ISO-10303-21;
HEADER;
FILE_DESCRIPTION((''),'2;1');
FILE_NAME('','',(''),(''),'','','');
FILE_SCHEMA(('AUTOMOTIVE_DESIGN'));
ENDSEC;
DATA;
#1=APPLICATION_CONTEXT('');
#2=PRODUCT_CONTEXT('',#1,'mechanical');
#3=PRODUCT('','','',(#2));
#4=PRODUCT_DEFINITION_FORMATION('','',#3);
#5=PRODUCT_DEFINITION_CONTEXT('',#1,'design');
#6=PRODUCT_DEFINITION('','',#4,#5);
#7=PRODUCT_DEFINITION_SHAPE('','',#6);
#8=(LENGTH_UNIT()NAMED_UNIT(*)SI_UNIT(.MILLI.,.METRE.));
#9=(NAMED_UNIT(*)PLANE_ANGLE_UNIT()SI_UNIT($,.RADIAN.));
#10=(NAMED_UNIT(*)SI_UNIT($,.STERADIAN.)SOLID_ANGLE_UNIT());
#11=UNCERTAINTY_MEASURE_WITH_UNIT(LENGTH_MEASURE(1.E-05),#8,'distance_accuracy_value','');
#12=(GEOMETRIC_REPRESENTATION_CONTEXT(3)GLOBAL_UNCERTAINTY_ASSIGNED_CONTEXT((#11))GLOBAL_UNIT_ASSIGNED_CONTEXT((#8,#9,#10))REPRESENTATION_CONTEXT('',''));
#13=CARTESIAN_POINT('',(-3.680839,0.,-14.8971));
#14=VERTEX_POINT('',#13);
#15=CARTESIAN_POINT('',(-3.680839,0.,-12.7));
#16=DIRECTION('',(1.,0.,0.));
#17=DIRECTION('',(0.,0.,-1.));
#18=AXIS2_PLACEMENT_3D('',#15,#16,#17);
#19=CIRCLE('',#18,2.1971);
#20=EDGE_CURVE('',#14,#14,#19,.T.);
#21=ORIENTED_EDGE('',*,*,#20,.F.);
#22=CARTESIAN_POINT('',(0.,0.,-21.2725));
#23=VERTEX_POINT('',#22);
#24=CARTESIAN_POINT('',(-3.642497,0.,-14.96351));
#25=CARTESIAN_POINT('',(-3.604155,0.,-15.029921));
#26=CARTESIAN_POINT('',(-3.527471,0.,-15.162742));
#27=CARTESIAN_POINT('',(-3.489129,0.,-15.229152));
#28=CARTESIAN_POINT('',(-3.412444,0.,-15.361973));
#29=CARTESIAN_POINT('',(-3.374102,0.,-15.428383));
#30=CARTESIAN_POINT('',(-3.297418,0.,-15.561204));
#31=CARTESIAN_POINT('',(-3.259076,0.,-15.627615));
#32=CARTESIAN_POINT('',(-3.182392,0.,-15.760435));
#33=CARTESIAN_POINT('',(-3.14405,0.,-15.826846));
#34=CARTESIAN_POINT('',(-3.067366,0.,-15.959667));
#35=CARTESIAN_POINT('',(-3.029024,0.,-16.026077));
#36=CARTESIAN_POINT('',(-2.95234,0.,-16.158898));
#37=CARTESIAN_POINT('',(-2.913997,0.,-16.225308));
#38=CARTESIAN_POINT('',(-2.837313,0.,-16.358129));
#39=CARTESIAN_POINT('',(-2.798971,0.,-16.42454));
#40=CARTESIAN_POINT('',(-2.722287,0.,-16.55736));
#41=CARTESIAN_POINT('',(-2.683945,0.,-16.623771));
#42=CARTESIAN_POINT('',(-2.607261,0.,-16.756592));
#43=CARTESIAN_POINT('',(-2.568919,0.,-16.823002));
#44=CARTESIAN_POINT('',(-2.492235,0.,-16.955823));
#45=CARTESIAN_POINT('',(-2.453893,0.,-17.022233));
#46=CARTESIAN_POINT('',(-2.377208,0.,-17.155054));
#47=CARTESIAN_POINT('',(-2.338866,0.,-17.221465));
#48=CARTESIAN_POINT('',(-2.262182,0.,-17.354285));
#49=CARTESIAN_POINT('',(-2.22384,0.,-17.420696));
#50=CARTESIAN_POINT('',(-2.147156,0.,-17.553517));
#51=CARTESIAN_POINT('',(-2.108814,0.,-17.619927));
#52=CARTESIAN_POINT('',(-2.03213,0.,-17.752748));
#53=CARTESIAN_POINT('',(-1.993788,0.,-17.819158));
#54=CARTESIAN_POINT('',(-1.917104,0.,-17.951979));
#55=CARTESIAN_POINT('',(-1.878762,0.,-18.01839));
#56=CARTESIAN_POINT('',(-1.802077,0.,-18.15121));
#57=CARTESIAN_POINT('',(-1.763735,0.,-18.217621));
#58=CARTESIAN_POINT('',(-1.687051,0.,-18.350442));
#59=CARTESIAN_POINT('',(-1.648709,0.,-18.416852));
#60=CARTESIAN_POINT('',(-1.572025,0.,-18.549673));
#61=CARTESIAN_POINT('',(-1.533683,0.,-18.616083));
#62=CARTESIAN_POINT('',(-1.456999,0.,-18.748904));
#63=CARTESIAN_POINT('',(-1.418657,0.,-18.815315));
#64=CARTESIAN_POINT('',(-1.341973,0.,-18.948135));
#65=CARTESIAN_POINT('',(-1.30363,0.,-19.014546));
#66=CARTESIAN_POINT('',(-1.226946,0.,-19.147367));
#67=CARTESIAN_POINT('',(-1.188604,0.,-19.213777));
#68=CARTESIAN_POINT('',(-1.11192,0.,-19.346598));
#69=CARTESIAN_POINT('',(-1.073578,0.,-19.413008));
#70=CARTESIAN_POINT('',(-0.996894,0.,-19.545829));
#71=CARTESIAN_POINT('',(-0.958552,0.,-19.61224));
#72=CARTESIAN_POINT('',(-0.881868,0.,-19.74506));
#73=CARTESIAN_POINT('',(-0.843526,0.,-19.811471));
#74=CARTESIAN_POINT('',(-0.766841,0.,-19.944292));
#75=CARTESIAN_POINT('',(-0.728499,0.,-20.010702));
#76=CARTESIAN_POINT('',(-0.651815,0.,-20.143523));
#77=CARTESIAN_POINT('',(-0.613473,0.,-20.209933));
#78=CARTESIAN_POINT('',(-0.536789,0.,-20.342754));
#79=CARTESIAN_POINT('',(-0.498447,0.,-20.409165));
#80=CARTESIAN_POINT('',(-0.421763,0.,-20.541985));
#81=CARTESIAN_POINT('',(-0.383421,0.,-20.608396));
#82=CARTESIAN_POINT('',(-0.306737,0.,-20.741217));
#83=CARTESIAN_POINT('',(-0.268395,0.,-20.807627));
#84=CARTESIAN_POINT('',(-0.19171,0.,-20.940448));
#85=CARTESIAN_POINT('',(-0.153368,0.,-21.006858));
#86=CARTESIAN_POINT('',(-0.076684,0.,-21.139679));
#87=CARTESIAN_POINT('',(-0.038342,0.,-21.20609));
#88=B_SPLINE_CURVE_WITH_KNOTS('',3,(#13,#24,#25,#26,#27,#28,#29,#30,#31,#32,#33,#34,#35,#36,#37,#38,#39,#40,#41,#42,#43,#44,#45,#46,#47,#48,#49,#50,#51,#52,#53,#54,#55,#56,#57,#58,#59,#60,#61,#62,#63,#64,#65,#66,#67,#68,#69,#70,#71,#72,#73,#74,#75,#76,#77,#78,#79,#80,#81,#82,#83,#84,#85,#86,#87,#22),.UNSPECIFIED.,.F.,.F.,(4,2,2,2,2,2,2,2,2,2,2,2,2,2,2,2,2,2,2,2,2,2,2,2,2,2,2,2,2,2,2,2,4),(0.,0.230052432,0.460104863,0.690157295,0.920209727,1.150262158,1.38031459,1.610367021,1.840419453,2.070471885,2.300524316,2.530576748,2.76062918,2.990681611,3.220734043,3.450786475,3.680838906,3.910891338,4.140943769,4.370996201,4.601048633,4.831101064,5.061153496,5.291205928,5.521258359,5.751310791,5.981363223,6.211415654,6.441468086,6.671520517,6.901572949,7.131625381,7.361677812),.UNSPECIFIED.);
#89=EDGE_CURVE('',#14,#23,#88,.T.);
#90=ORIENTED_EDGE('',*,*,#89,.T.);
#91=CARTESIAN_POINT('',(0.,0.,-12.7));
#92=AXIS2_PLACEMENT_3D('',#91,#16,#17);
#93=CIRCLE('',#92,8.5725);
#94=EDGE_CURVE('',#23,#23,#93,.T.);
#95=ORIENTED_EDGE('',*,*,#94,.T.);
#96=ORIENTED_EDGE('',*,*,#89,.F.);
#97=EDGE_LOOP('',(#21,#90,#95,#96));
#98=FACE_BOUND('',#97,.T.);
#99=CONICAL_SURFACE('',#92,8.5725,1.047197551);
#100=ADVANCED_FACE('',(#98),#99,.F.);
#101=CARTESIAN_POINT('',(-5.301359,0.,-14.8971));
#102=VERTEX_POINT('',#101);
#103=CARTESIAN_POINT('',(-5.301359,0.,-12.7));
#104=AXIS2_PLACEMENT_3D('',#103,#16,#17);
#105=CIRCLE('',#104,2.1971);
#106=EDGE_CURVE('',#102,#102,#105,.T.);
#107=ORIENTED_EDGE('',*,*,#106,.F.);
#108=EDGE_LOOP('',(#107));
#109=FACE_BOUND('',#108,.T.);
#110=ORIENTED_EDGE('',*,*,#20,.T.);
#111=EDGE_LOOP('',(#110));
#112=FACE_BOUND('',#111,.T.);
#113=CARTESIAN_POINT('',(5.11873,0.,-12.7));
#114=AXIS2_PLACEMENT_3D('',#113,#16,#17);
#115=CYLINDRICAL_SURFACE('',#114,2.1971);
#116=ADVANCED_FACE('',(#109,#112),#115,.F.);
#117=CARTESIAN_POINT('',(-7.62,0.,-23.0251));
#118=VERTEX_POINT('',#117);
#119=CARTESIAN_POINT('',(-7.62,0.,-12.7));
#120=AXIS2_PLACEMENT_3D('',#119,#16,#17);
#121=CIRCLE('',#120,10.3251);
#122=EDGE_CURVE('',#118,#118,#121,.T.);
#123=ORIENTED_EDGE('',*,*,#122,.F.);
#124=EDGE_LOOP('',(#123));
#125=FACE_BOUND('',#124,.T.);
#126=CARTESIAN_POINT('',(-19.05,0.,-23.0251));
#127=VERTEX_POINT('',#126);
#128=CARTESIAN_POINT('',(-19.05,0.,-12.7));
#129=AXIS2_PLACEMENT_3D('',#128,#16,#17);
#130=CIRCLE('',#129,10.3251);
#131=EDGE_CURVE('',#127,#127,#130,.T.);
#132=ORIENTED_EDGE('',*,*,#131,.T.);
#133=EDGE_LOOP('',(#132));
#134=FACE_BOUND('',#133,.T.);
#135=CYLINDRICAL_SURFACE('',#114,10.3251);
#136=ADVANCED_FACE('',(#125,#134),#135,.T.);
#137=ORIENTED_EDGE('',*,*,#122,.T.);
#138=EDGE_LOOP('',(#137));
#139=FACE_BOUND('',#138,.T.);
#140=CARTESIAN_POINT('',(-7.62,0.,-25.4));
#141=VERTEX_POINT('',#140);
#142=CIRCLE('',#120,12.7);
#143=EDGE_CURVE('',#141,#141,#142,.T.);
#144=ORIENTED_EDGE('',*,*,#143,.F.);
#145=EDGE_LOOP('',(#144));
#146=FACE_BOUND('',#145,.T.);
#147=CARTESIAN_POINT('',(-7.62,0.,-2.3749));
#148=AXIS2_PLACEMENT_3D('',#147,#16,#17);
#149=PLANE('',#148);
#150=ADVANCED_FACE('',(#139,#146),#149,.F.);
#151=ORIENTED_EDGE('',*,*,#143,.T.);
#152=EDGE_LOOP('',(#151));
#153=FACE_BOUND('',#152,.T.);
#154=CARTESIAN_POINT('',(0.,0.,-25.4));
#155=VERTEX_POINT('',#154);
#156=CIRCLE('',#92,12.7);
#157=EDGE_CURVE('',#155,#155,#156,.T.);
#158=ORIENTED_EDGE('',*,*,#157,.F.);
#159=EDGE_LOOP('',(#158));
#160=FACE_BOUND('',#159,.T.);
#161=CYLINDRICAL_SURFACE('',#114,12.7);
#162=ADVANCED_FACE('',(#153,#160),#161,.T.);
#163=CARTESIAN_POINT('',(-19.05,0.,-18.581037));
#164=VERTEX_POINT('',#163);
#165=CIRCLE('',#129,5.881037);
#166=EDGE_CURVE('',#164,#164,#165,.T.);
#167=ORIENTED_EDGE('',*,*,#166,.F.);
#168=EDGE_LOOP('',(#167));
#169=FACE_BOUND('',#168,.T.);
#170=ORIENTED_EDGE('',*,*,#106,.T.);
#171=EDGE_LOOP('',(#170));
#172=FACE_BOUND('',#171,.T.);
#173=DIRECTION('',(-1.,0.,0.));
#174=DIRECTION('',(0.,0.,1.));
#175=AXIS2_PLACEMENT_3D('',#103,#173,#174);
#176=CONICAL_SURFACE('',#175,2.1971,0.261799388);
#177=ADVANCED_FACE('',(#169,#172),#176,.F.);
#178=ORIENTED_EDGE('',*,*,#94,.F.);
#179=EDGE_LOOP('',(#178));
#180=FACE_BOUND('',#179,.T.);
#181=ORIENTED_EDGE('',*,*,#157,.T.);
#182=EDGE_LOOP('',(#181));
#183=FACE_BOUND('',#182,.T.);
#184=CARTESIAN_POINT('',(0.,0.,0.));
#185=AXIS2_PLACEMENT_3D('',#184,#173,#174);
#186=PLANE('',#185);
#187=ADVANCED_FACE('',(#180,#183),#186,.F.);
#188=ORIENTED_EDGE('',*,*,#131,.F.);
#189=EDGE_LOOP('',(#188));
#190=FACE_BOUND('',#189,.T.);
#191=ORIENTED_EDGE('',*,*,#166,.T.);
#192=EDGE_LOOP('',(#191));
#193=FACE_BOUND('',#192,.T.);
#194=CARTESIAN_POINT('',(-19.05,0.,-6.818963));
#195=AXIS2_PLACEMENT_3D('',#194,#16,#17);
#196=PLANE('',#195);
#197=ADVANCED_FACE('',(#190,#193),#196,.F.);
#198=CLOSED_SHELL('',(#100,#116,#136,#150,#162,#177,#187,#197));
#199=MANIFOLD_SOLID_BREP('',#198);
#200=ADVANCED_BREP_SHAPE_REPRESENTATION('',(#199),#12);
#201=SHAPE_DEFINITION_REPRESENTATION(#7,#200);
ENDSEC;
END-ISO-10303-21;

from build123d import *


with BuildPart() as part:
    # Sketch1 → Revolve1 (revolve)
    with BuildSketch(Plane(origin=(0, 0, 0), x_dir=(1, 0, 0), z_dir=(0, 1, 0)), mode=Mode.PRIVATE) as revolve1_sk:
        Polygon((0, 0), (0, 4.1275), (-3.680838906, 10.5029), (-5.301358906, 10.5029), (-19.05, 6.818962722), (-19.05, 2.3749), (-7.62, 2.3749), (-7.62, 0), align=None)
    revolve(revolve1_sk.sketch.rotate(Axis((5.118729701, 0, -12.7), (-1, 0, 0)), 180), axis=Axis((5.118729701, 0, -12.7), (-1, 0, 0)))


solid = part.part
